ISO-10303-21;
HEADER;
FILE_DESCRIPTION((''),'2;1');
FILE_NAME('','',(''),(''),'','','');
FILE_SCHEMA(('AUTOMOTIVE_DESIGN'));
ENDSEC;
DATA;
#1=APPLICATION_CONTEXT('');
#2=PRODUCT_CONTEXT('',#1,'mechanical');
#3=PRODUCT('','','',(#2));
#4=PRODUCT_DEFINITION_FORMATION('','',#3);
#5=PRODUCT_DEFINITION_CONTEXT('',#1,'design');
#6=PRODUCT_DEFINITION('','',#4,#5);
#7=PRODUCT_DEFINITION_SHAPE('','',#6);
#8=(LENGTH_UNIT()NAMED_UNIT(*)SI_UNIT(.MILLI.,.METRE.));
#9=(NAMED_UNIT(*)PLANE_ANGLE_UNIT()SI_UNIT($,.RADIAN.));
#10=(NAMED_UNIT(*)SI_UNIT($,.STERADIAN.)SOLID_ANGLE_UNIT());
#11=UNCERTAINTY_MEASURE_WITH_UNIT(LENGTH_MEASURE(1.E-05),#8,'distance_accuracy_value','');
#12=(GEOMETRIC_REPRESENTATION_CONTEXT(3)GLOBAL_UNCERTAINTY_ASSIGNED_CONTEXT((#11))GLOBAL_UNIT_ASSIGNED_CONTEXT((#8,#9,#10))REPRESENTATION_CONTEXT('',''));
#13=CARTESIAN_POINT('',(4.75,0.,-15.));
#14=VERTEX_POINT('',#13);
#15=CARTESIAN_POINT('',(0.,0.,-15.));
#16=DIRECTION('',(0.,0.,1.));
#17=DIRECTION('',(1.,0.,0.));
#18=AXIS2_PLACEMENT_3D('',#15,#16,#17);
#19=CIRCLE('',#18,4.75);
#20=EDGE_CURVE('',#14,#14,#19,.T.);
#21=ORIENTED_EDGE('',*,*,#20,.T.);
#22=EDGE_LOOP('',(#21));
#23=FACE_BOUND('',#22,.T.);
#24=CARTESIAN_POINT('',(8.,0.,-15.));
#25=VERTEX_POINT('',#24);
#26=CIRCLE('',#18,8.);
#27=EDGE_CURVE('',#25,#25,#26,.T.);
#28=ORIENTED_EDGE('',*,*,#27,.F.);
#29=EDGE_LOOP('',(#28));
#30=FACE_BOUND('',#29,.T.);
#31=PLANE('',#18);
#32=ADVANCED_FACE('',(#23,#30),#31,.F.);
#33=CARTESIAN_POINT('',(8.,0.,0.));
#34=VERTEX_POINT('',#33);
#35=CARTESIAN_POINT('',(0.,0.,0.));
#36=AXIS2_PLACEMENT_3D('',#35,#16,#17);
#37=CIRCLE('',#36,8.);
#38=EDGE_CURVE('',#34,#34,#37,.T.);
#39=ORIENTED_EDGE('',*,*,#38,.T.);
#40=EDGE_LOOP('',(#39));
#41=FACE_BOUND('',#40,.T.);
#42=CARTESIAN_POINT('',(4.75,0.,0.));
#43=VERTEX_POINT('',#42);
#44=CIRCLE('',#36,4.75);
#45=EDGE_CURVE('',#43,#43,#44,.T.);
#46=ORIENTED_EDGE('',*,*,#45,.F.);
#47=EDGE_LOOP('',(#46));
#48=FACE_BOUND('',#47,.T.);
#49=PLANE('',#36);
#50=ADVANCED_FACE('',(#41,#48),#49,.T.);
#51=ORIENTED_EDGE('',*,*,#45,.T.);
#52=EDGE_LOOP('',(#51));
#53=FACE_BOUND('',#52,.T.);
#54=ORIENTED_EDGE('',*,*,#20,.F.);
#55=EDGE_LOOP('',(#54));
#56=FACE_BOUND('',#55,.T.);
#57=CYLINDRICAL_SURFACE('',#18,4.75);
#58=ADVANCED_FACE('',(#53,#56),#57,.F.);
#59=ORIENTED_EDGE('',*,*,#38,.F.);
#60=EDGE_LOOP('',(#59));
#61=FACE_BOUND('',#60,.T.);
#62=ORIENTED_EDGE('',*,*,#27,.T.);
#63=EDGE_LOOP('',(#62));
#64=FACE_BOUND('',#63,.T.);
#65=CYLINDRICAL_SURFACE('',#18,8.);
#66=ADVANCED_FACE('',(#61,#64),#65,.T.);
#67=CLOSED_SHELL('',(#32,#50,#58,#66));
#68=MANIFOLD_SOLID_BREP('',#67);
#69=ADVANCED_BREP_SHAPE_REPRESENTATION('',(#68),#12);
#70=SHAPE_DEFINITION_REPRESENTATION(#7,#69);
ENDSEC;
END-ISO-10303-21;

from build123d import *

# Parameters (mm, degrees)
SKETCH1_R           = 8
SKETCH1_R_2         = 4.75
BOSS_EXTRUDE1_DEPTH = 15


with BuildPart() as part:
    # Sketch1 → Boss-Extrude1 (new body)
    with BuildSketch(Plane.XY):
        Circle(SKETCH1_R)
        Circle(SKETCH1_R_2, mode=Mode.SUBTRACT)
    extrude(amount=-BOSS_EXTRUDE1_DEPTH)


solid = part.part
